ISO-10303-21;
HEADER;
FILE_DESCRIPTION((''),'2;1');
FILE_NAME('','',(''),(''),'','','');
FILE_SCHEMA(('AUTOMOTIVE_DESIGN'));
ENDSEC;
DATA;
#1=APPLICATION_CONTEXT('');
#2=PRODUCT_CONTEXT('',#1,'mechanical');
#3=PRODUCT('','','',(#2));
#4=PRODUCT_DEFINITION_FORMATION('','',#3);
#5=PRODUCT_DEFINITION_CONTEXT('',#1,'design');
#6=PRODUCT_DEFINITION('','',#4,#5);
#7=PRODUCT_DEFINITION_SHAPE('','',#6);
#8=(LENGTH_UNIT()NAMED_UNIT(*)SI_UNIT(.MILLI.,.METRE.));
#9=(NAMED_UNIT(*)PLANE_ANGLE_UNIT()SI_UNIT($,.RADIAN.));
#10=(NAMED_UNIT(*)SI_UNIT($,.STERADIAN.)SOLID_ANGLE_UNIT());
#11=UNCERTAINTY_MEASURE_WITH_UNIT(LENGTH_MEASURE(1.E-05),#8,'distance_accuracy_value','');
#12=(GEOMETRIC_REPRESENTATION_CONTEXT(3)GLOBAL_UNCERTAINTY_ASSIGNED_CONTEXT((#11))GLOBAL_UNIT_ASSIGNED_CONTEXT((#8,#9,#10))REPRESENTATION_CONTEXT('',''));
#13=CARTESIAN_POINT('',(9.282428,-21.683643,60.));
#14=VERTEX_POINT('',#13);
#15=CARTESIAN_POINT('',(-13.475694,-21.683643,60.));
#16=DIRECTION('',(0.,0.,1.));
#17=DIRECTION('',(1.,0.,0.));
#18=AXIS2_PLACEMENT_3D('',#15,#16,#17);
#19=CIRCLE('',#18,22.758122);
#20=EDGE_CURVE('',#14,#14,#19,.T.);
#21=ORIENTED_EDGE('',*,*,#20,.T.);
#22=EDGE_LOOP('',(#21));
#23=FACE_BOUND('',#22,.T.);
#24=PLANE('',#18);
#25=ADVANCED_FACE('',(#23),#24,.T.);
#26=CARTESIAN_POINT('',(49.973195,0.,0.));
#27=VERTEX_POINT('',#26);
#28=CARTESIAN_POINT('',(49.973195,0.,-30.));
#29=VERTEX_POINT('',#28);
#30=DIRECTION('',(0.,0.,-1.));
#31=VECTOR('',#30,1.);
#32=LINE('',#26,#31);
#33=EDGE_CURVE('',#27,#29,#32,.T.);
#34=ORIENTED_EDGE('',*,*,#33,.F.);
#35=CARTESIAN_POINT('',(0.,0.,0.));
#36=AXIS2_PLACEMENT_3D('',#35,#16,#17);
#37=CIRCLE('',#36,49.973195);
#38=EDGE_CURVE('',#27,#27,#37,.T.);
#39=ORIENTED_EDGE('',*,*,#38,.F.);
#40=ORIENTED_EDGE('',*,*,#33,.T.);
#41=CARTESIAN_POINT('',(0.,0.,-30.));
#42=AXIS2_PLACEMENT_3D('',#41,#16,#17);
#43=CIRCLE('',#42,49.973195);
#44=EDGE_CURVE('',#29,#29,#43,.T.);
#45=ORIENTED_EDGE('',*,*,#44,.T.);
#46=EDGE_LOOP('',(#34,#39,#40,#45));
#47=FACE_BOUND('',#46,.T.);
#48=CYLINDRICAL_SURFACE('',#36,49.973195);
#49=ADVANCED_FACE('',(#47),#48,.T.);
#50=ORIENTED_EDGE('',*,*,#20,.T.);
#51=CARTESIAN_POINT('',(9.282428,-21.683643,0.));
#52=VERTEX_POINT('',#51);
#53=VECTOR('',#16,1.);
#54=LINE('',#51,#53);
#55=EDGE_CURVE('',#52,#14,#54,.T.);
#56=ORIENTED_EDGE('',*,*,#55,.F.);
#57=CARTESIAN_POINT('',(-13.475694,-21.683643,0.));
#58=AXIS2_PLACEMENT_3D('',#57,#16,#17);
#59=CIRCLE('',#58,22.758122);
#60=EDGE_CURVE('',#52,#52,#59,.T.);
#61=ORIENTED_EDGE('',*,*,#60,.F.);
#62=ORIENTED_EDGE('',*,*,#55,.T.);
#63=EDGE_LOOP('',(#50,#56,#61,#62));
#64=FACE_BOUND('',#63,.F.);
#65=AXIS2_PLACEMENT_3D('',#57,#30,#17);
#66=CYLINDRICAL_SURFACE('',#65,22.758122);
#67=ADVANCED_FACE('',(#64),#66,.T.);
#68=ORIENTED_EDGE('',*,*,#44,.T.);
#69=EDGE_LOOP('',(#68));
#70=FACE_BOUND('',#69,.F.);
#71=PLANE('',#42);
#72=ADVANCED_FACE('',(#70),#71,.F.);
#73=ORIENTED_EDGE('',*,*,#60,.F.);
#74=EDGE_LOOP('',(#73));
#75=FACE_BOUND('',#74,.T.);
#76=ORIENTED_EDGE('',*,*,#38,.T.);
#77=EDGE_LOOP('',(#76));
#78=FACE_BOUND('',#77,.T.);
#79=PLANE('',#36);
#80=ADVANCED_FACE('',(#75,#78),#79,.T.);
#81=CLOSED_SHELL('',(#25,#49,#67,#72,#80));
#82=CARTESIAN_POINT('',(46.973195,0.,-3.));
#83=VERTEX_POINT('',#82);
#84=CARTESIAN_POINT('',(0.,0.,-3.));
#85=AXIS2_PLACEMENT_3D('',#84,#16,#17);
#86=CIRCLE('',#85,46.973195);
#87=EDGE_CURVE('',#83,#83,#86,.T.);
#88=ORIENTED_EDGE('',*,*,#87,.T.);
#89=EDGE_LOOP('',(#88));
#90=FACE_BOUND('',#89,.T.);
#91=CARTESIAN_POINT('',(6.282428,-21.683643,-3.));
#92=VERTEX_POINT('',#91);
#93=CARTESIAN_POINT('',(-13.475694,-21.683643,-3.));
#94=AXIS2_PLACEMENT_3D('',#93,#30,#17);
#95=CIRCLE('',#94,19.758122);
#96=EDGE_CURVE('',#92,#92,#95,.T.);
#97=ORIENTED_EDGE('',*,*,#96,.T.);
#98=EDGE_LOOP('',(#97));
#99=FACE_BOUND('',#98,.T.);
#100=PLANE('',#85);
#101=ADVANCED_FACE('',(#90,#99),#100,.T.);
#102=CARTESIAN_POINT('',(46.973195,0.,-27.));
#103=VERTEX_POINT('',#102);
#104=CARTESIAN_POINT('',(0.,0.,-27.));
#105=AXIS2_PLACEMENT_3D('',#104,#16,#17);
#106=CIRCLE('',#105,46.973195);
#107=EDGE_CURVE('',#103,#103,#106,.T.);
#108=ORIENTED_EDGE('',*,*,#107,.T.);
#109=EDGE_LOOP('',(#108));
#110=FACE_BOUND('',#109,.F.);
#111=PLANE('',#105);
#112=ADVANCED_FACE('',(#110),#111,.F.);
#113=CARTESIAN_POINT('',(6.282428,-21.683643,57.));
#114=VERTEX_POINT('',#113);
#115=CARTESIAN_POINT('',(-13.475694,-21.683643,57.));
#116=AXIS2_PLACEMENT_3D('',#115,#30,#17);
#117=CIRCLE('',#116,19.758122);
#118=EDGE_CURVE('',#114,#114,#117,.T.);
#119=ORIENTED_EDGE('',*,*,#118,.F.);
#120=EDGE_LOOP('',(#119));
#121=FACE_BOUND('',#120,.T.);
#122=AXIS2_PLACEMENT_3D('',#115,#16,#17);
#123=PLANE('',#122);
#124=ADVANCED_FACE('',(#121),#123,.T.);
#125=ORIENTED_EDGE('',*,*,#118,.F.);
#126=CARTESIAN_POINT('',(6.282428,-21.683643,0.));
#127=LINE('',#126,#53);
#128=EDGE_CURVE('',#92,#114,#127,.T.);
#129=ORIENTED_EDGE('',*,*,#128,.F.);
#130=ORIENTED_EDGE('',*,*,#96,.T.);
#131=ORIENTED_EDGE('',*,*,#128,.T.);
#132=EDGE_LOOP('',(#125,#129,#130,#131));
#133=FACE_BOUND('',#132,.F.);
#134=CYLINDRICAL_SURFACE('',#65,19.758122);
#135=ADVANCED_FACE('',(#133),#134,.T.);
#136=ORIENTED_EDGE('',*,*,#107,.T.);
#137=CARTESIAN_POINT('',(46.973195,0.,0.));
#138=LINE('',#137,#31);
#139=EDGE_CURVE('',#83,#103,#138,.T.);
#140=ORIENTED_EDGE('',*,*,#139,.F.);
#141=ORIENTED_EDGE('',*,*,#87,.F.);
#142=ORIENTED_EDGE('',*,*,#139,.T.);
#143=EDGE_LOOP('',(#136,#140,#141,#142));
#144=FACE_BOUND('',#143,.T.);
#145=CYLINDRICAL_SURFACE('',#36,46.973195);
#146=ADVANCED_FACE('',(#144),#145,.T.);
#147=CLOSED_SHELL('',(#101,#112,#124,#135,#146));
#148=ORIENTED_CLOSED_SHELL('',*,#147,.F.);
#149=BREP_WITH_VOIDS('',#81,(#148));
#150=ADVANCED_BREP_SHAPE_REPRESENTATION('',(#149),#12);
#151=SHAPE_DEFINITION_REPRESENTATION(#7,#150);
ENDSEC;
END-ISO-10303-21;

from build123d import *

# Parameters (mm, degrees)
F0_R     = 49.9731951159
F1_DEPTH = 30
F2_R     = 22.7581218929
F3_DEPTH = 60
F4_T     = -3


with BuildPart() as f1:
    # F0 (on Top) → F1 (new body)
    with BuildSketch(Plane.XY):
        Circle(F0_R)
    extrude(amount=-F1_DEPTH)

    # F2 (on face) → F3 (join)
    with BuildSketch(Plane.XY):
        with Locations((-13.4756937623, -21.6836426407)):
            Circle(F2_R)
    extrude(amount=F3_DEPTH)

    # F4 (hollow: no face is removed)
    offset(amount=F4_T, kind=Kind.INTERSECTION, mode=Mode.SUBTRACT)


solid = f1.part
